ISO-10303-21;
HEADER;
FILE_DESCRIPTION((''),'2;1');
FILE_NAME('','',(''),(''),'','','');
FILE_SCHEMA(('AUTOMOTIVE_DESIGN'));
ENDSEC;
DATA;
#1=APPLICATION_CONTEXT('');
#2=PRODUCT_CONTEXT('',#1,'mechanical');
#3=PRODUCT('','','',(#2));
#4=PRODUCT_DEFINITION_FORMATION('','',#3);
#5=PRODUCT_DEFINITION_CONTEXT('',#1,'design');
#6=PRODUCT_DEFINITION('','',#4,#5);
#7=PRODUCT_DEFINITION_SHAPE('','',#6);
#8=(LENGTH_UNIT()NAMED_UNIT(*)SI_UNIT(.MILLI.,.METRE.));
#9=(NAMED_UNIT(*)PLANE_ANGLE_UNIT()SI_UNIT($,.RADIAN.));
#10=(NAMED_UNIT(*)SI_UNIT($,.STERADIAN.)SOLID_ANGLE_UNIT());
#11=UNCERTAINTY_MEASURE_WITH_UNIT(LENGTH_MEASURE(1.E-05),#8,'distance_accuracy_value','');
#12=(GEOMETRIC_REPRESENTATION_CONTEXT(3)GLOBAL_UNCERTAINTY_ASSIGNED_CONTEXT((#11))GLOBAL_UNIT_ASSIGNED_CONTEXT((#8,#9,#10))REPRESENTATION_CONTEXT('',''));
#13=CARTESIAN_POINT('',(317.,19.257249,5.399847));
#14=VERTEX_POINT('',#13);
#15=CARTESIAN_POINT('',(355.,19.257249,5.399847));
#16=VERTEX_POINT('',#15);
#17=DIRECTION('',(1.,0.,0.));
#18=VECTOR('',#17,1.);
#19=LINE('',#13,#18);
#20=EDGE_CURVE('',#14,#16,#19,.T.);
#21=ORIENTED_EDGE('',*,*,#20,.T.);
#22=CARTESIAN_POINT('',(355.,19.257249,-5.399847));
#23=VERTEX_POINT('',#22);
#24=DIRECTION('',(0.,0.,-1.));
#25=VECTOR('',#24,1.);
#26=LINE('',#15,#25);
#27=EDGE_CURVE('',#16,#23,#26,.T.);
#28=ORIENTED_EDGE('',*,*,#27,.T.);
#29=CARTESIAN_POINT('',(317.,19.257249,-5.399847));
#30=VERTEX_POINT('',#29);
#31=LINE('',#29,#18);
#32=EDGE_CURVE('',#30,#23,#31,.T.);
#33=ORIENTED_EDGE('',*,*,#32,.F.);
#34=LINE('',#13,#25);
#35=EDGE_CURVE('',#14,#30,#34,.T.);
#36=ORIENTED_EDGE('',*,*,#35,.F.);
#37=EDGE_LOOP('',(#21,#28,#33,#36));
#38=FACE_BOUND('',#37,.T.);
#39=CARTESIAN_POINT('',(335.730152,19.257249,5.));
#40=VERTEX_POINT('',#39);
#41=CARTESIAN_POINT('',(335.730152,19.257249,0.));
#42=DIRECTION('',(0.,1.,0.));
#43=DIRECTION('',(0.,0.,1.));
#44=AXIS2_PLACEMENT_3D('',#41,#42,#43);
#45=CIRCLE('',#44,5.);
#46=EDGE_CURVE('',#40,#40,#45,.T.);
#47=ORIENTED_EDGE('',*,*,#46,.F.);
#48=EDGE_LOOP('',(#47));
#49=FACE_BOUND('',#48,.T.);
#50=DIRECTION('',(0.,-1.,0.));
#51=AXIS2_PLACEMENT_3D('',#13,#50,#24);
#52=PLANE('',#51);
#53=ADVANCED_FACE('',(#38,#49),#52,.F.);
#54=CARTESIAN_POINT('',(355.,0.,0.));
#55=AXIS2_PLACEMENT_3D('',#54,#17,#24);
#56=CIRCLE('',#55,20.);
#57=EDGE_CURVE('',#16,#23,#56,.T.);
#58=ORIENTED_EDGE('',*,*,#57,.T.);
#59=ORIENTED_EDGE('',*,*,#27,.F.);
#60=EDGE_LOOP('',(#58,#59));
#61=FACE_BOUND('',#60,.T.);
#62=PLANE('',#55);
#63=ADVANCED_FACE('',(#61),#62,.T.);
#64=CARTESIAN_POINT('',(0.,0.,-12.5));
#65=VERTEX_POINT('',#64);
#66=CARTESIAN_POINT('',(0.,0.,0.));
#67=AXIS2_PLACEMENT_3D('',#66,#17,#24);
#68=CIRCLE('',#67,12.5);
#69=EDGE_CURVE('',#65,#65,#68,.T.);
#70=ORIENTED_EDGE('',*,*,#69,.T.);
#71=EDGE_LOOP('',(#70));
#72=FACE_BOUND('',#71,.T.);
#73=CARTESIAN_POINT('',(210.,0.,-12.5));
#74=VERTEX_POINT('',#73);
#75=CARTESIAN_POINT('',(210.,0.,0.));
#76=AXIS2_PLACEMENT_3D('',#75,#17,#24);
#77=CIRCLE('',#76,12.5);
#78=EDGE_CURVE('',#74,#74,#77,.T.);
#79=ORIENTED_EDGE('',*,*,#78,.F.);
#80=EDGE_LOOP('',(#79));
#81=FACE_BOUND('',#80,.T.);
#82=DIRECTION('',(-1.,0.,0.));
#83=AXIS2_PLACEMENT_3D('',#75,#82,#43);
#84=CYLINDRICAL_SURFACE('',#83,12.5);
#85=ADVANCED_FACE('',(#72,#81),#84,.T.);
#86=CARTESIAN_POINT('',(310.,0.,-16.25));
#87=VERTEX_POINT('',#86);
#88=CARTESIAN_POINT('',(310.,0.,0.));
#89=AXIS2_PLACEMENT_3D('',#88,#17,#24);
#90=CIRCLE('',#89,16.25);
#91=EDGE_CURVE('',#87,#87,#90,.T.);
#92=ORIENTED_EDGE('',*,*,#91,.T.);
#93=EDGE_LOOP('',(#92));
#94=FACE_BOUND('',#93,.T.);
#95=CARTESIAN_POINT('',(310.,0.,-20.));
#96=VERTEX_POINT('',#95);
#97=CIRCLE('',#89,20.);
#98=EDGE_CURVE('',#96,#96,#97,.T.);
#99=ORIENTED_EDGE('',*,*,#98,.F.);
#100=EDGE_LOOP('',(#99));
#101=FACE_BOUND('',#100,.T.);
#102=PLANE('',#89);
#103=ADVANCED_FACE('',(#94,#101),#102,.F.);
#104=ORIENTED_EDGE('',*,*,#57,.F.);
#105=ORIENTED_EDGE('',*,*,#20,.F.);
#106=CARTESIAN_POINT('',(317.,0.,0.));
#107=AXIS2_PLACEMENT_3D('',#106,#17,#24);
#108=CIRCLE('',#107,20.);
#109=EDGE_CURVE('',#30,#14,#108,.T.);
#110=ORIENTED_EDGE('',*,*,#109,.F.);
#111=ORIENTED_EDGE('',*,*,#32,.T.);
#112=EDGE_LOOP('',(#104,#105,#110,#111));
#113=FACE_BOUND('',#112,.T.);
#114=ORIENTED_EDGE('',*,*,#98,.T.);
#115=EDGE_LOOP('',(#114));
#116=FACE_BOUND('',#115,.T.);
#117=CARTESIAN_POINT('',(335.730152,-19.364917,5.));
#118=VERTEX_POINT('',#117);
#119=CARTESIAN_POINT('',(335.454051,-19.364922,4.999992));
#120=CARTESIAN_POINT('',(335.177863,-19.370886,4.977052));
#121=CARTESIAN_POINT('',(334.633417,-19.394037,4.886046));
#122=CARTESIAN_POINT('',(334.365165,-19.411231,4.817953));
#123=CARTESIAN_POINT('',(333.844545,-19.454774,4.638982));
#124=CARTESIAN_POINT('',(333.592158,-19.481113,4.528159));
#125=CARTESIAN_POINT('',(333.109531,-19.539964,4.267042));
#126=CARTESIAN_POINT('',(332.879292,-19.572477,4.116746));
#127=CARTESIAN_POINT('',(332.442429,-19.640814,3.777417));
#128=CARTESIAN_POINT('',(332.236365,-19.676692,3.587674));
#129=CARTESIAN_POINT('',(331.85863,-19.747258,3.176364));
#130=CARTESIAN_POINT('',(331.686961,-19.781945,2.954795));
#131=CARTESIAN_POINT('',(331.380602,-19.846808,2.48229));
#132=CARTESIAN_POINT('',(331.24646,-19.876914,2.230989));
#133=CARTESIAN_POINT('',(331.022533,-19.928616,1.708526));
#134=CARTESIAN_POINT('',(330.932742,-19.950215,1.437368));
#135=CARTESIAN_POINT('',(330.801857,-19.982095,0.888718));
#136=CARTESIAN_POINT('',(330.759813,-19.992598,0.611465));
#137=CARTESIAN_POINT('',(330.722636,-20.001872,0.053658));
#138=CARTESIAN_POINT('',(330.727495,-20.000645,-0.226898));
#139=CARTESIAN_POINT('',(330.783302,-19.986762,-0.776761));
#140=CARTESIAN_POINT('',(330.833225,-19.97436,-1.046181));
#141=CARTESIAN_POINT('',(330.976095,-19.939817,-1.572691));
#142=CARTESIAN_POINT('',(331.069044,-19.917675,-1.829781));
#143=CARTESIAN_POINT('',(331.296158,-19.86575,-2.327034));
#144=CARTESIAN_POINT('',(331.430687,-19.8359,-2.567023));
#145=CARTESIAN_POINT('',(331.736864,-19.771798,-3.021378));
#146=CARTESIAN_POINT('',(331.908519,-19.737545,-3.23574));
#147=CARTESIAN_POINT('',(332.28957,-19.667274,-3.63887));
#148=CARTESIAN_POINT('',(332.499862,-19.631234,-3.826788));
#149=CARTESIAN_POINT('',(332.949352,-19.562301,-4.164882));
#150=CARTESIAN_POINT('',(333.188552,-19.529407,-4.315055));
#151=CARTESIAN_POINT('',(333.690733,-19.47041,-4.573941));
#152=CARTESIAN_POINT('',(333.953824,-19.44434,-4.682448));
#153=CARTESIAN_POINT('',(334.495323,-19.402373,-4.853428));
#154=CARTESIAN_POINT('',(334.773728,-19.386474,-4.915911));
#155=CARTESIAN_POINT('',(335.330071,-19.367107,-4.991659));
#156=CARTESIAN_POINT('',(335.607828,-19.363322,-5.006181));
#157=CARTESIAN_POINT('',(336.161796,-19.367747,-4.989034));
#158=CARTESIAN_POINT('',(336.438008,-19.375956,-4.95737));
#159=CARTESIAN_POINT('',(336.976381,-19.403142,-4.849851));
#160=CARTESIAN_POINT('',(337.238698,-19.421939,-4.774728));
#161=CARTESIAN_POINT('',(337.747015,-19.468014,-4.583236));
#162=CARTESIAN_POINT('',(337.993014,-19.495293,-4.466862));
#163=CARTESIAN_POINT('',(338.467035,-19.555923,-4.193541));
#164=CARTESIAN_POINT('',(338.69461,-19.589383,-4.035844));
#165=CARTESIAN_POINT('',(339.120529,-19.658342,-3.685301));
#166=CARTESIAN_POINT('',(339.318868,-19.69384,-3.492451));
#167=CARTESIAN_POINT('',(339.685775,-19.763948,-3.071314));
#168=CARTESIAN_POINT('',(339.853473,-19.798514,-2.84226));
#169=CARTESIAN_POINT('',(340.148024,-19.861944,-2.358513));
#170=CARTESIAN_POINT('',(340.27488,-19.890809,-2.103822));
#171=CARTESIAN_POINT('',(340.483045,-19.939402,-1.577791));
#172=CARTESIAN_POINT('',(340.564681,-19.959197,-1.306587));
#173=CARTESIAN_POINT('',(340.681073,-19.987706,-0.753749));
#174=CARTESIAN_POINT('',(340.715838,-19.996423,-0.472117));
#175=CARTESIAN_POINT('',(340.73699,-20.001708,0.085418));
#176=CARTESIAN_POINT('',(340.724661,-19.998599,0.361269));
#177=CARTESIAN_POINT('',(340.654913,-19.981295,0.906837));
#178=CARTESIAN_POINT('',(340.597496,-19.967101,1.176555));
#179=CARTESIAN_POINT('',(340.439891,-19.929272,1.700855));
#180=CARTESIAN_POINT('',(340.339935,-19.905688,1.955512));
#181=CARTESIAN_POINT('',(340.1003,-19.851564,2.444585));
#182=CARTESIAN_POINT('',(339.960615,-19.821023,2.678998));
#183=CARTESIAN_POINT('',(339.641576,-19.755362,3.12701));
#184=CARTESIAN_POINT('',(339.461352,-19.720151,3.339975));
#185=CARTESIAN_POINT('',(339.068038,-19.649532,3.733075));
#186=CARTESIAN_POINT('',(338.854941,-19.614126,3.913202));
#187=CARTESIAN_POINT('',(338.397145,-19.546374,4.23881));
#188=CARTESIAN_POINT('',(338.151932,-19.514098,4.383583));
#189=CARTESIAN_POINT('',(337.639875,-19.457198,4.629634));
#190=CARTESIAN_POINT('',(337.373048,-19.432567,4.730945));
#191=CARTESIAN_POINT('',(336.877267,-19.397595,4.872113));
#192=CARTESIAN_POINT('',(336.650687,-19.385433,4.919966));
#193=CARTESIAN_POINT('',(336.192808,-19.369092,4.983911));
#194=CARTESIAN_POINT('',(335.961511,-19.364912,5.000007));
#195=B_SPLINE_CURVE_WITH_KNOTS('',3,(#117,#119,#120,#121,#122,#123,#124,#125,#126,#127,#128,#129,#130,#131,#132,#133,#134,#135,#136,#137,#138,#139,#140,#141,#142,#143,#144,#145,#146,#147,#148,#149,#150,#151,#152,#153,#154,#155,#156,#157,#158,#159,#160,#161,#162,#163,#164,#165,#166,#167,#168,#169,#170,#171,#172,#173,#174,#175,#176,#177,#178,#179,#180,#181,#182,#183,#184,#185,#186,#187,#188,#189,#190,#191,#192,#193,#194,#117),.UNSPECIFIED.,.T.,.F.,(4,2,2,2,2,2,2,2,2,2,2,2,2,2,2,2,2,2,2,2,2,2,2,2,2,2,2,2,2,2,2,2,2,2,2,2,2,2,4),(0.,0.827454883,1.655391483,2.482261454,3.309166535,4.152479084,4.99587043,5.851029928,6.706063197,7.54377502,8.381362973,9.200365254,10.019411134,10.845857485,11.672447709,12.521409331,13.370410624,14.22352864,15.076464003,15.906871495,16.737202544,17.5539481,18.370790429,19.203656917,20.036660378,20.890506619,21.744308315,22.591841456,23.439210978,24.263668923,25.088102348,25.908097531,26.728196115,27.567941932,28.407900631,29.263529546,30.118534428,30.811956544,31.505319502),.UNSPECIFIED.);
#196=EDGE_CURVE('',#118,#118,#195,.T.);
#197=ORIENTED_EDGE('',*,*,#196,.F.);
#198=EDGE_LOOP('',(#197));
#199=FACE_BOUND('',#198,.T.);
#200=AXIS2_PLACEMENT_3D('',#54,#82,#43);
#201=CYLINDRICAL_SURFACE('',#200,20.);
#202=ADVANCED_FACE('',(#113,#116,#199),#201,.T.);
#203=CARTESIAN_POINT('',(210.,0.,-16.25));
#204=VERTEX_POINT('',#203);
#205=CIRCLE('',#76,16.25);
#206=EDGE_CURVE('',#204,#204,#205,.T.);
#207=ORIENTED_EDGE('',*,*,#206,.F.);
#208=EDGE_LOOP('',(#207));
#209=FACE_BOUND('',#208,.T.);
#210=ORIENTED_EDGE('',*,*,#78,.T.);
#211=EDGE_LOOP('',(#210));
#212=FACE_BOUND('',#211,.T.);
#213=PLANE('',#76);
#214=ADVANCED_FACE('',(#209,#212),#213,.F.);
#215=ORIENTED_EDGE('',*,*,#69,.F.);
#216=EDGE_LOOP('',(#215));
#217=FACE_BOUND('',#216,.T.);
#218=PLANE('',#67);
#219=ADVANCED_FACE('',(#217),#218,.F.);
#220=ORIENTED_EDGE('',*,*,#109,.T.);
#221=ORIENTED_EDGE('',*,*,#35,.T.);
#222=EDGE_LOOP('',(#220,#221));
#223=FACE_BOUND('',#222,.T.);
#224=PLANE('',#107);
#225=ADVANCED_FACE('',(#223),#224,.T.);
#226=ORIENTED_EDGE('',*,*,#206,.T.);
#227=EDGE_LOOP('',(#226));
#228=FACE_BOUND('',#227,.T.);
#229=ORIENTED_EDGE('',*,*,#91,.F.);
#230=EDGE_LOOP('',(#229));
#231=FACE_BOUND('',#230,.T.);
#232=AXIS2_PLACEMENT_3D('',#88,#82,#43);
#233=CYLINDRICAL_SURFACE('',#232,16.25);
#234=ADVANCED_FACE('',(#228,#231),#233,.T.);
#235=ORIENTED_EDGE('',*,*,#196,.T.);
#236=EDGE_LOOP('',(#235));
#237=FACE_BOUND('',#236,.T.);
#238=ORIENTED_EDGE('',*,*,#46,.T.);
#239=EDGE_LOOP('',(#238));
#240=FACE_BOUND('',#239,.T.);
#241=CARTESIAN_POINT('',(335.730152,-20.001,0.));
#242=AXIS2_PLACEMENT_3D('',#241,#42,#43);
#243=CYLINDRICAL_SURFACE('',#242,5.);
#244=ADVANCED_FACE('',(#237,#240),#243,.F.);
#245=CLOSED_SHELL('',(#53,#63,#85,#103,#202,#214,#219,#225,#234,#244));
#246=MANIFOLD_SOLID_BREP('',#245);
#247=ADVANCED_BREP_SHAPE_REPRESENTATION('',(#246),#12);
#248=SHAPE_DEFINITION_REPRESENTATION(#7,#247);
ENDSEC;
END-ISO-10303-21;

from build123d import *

# Parameters (mm, degrees)
CROQUIS2_R                 = 12.5
SALIENTE_EXTRUIR1_DEPTH    = 210
CROQUIS4_R                 = 16.25
SALIENTE_EXTRUIR2_DEPTH    = 100
CROQUIS5_R                 = 20
SALIENTE_EXTRUIR3_DEPTH    = 45
CROQUIS6_W                 = 10.799694728
CROQUIS6_H                 = 1.485501512
CORTAR_EXTRUIR1_DEPTH      = 38
CORTAR_EXTRUIR2_REACH      = 359.724
CORTAR_EXTRUIR2_END_RADIUS = 20
CROQUIS8_R                 = 5


with BuildPart() as part:
    # Croquis2 → Saliente-Extruir1 (new body)
    with BuildSketch(Plane(origin=(0, 0, 0), x_dir=(0, 0, -1), z_dir=(1, 0, 0))):
        Circle(CROQUIS2_R)
    extrude(amount=SALIENTE_EXTRUIR1_DEPTH)

    # Croquis4 → Saliente-Extruir2 (add)
    with BuildSketch(Plane(origin=(210, 0, 0), x_dir=(0, 0, -1), z_dir=(1, 0, 0))):
        Circle(CROQUIS4_R)
    extrude(amount=SALIENTE_EXTRUIR2_DEPTH)

    # Croquis5 → Saliente-Extruir3 (add)
    with BuildSketch(Plane(origin=(310, 0, 0), x_dir=(0, 0, -1), z_dir=(1, 0, 0))):
        with Locations(Location((0, 0, 0), (0, 0, 180))):
            Circle(CROQUIS5_R)
    extrude(amount=SALIENTE_EXTRUIR3_DEPTH)

    # Croquis6 → Cortar-Extruir1 (cut)
    with BuildSketch(Plane(origin=(355, 0, 0), x_dir=(0, 0, -1), z_dir=(1, 0, 0))):
        with Locations((0, 20)):
            Rectangle(CROQUIS6_W, CROQUIS6_H)
    extrude(amount=-CORTAR_EXTRUIR1_DEPTH, mode=Mode.SUBTRACT)

    # Cortar-Extruir2: up to this cylinder (the profile starts inside it)
    cortar_extruir2_end = Plane(origin=(335.730152, 0, 0), z_dir=(-1, 0, 0)) * Cylinder(CORTAR_EXTRUIR2_END_RADIUS, 760.448, mode=Mode.PRIVATE)
    # Croquis8 → Cortar-Extruir2 (cut, up to the surface)
    with BuildSketch(Plane(origin=(0, 19.257249244, 0), x_dir=(1, 0, 0), z_dir=(0, 1, 0)), mode=Mode.PRIVATE) as cortar_extruir2_sk1:
        with Locations(Location((335.730152453, 0, 0), (0, 0, 270))):
            Circle(CROQUIS8_R)
    cortar_extruir2_tool1 = extrude(cortar_extruir2_sk1.sketch, amount=-CORTAR_EXTRUIR2_REACH, mode=Mode.PRIVATE) & cortar_extruir2_end
    add(cortar_extruir2_tool1.solids().sort_by_distance((335.730152, 19.257249, 0))[0], mode=Mode.SUBTRACT)


solid = part.part
